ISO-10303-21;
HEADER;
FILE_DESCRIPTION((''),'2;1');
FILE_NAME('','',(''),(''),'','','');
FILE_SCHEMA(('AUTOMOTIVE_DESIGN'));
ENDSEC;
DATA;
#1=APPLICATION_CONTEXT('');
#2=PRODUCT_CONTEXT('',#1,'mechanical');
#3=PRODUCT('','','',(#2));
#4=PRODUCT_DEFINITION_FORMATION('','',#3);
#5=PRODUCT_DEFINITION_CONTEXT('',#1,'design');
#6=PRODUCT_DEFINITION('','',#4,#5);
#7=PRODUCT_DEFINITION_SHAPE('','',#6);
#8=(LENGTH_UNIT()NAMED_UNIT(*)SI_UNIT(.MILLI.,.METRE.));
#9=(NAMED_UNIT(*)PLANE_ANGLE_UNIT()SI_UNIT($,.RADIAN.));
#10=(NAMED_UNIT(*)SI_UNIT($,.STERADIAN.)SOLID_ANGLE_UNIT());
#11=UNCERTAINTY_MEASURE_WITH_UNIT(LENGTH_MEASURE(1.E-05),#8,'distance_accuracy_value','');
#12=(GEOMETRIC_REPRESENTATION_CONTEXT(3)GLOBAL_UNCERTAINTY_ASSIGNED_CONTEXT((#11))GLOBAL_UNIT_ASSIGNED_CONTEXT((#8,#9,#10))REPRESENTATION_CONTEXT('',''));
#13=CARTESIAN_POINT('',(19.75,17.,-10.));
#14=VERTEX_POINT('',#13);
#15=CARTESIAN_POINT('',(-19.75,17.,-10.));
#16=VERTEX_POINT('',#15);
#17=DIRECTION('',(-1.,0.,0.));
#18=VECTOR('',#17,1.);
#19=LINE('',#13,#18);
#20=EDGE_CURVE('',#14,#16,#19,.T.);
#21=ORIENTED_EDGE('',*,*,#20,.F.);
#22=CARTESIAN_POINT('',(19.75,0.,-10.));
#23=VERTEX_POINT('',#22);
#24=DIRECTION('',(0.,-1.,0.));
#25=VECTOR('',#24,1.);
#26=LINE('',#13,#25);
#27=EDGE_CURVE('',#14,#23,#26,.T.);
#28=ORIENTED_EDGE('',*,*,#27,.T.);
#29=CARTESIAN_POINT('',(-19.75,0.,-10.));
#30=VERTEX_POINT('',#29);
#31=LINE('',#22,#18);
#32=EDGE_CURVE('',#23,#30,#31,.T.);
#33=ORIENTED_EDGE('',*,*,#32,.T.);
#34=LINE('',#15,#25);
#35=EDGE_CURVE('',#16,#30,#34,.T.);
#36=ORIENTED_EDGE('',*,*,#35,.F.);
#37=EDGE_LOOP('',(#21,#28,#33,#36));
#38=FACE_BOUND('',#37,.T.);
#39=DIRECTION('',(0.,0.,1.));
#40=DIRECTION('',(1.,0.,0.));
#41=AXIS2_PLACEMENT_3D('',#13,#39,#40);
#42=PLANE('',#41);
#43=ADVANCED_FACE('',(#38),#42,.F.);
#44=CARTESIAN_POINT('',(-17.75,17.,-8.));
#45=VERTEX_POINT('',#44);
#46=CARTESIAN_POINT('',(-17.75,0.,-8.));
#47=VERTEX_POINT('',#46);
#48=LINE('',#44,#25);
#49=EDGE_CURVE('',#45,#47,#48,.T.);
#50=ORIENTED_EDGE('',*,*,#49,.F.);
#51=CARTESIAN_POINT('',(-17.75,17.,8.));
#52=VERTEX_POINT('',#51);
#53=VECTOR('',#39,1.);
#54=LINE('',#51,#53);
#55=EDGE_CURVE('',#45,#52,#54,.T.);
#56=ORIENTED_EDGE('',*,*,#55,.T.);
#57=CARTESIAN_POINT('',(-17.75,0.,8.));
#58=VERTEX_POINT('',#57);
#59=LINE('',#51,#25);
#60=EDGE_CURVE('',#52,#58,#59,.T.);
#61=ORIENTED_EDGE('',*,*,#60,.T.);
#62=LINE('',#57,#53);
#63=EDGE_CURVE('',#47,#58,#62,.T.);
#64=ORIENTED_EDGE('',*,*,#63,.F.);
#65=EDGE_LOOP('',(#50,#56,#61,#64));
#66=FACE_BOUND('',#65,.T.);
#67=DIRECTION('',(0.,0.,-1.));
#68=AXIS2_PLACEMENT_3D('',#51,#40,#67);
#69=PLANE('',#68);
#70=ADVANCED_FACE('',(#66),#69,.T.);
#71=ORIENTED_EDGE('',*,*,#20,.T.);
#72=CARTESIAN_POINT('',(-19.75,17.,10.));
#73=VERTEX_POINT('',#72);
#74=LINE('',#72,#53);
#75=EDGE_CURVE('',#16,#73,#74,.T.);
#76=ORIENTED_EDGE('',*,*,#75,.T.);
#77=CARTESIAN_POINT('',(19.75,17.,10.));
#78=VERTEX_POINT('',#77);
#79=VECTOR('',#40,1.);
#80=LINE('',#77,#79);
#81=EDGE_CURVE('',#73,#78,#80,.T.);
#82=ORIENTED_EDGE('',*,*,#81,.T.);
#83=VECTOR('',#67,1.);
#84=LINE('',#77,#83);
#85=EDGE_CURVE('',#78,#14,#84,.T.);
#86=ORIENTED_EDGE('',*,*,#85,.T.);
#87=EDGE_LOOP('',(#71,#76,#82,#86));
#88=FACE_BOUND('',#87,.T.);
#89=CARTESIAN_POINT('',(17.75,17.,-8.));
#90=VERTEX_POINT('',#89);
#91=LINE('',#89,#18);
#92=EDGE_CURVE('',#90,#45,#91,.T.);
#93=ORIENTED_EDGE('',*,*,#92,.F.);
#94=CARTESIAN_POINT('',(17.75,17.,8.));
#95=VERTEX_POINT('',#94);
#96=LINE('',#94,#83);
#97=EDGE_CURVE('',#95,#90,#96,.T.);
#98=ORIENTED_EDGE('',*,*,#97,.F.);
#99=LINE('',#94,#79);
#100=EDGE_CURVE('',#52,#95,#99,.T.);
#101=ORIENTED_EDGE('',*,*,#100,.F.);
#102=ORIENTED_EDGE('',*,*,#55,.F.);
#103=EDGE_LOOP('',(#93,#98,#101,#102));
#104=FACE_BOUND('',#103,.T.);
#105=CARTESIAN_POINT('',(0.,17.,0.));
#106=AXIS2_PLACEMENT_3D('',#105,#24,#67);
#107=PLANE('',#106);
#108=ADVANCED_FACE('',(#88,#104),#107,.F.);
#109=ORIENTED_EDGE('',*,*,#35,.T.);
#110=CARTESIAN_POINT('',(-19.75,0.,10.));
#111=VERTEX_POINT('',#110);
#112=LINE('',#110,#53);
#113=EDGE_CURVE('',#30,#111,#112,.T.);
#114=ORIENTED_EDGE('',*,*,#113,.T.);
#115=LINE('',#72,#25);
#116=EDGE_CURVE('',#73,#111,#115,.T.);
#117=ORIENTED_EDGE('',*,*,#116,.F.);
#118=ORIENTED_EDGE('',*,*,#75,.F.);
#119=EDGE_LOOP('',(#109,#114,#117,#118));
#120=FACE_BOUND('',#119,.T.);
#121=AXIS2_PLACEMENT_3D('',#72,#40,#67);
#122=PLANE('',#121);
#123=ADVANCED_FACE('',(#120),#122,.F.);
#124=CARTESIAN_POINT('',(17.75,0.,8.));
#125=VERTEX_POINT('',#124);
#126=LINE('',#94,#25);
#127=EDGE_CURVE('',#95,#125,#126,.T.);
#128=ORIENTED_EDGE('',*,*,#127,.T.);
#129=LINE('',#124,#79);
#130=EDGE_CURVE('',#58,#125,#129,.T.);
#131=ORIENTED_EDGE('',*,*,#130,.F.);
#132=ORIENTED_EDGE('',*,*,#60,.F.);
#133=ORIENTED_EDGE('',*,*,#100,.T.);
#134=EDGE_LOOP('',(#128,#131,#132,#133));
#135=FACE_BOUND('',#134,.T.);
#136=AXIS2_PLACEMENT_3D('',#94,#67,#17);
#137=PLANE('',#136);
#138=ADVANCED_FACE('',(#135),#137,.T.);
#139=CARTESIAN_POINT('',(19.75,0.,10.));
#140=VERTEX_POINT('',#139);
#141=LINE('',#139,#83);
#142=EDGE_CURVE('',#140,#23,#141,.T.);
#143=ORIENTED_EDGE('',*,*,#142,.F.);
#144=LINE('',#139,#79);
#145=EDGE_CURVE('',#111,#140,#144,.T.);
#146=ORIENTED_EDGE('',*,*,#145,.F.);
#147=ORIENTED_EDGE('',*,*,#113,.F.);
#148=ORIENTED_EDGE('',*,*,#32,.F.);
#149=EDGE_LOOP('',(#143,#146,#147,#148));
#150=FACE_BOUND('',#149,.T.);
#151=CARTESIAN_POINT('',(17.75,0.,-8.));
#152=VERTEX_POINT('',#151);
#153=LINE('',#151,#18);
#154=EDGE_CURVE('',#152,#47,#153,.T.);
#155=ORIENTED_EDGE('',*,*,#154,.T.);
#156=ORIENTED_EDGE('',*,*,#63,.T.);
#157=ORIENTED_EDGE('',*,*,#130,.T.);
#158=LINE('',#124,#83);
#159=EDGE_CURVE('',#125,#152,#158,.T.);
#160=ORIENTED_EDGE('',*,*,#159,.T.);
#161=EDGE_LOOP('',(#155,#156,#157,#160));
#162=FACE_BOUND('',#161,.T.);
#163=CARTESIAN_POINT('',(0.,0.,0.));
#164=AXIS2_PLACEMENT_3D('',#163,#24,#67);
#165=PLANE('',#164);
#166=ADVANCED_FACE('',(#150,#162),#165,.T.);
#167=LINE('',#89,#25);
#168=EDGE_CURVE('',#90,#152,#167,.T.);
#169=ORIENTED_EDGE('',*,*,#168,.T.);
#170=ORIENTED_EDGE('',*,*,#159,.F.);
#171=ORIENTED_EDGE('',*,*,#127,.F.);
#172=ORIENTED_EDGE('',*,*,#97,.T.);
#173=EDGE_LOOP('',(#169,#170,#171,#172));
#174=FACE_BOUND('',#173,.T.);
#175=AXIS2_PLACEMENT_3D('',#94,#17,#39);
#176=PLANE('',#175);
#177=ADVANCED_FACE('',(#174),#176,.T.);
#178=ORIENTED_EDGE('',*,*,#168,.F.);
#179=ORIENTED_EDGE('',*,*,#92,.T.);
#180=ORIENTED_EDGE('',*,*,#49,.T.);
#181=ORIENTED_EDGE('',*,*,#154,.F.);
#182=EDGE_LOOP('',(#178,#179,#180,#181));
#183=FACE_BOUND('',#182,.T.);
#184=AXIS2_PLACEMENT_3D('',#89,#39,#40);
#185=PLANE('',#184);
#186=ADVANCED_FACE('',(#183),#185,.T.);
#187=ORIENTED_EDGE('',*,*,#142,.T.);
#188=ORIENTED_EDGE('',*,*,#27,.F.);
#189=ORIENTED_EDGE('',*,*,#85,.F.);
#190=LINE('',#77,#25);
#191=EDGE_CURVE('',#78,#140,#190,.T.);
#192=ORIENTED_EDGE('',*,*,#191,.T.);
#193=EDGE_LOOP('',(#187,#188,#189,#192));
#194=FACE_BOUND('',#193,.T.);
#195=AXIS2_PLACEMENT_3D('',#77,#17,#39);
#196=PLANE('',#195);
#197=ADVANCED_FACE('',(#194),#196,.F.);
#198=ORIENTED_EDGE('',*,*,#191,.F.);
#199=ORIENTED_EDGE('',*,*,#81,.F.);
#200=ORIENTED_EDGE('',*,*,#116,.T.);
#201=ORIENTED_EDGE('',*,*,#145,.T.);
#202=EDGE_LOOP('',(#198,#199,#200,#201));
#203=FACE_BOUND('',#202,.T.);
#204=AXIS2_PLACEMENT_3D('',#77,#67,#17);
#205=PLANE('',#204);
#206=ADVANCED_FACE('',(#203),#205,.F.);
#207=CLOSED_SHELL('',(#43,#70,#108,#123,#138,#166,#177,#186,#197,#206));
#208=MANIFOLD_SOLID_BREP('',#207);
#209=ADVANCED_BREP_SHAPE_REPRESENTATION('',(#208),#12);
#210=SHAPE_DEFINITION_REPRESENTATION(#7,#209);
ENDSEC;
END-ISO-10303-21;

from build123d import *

# Parameters (mm, degrees)
SKETCH1_W           = 39.5
SKETCH1_H           = 20
SKETCH1_W_2         = 35.5
SKETCH1_H_2         = 16
BOSS_EXTRUDE1_DEPTH = 17


with BuildPart() as part:
    # Sketch1 → Boss-Extrude1 (new body)
    with BuildSketch(Plane(origin=(0, 0, 0), x_dir=(1, 0, 0), z_dir=(0, 1, 0))):
        Rectangle(SKETCH1_W, SKETCH1_H)
        Rectangle(SKETCH1_W_2, SKETCH1_H_2, mode=Mode.SUBTRACT)
    extrude(amount=BOSS_EXTRUDE1_DEPTH)


solid = part.part
